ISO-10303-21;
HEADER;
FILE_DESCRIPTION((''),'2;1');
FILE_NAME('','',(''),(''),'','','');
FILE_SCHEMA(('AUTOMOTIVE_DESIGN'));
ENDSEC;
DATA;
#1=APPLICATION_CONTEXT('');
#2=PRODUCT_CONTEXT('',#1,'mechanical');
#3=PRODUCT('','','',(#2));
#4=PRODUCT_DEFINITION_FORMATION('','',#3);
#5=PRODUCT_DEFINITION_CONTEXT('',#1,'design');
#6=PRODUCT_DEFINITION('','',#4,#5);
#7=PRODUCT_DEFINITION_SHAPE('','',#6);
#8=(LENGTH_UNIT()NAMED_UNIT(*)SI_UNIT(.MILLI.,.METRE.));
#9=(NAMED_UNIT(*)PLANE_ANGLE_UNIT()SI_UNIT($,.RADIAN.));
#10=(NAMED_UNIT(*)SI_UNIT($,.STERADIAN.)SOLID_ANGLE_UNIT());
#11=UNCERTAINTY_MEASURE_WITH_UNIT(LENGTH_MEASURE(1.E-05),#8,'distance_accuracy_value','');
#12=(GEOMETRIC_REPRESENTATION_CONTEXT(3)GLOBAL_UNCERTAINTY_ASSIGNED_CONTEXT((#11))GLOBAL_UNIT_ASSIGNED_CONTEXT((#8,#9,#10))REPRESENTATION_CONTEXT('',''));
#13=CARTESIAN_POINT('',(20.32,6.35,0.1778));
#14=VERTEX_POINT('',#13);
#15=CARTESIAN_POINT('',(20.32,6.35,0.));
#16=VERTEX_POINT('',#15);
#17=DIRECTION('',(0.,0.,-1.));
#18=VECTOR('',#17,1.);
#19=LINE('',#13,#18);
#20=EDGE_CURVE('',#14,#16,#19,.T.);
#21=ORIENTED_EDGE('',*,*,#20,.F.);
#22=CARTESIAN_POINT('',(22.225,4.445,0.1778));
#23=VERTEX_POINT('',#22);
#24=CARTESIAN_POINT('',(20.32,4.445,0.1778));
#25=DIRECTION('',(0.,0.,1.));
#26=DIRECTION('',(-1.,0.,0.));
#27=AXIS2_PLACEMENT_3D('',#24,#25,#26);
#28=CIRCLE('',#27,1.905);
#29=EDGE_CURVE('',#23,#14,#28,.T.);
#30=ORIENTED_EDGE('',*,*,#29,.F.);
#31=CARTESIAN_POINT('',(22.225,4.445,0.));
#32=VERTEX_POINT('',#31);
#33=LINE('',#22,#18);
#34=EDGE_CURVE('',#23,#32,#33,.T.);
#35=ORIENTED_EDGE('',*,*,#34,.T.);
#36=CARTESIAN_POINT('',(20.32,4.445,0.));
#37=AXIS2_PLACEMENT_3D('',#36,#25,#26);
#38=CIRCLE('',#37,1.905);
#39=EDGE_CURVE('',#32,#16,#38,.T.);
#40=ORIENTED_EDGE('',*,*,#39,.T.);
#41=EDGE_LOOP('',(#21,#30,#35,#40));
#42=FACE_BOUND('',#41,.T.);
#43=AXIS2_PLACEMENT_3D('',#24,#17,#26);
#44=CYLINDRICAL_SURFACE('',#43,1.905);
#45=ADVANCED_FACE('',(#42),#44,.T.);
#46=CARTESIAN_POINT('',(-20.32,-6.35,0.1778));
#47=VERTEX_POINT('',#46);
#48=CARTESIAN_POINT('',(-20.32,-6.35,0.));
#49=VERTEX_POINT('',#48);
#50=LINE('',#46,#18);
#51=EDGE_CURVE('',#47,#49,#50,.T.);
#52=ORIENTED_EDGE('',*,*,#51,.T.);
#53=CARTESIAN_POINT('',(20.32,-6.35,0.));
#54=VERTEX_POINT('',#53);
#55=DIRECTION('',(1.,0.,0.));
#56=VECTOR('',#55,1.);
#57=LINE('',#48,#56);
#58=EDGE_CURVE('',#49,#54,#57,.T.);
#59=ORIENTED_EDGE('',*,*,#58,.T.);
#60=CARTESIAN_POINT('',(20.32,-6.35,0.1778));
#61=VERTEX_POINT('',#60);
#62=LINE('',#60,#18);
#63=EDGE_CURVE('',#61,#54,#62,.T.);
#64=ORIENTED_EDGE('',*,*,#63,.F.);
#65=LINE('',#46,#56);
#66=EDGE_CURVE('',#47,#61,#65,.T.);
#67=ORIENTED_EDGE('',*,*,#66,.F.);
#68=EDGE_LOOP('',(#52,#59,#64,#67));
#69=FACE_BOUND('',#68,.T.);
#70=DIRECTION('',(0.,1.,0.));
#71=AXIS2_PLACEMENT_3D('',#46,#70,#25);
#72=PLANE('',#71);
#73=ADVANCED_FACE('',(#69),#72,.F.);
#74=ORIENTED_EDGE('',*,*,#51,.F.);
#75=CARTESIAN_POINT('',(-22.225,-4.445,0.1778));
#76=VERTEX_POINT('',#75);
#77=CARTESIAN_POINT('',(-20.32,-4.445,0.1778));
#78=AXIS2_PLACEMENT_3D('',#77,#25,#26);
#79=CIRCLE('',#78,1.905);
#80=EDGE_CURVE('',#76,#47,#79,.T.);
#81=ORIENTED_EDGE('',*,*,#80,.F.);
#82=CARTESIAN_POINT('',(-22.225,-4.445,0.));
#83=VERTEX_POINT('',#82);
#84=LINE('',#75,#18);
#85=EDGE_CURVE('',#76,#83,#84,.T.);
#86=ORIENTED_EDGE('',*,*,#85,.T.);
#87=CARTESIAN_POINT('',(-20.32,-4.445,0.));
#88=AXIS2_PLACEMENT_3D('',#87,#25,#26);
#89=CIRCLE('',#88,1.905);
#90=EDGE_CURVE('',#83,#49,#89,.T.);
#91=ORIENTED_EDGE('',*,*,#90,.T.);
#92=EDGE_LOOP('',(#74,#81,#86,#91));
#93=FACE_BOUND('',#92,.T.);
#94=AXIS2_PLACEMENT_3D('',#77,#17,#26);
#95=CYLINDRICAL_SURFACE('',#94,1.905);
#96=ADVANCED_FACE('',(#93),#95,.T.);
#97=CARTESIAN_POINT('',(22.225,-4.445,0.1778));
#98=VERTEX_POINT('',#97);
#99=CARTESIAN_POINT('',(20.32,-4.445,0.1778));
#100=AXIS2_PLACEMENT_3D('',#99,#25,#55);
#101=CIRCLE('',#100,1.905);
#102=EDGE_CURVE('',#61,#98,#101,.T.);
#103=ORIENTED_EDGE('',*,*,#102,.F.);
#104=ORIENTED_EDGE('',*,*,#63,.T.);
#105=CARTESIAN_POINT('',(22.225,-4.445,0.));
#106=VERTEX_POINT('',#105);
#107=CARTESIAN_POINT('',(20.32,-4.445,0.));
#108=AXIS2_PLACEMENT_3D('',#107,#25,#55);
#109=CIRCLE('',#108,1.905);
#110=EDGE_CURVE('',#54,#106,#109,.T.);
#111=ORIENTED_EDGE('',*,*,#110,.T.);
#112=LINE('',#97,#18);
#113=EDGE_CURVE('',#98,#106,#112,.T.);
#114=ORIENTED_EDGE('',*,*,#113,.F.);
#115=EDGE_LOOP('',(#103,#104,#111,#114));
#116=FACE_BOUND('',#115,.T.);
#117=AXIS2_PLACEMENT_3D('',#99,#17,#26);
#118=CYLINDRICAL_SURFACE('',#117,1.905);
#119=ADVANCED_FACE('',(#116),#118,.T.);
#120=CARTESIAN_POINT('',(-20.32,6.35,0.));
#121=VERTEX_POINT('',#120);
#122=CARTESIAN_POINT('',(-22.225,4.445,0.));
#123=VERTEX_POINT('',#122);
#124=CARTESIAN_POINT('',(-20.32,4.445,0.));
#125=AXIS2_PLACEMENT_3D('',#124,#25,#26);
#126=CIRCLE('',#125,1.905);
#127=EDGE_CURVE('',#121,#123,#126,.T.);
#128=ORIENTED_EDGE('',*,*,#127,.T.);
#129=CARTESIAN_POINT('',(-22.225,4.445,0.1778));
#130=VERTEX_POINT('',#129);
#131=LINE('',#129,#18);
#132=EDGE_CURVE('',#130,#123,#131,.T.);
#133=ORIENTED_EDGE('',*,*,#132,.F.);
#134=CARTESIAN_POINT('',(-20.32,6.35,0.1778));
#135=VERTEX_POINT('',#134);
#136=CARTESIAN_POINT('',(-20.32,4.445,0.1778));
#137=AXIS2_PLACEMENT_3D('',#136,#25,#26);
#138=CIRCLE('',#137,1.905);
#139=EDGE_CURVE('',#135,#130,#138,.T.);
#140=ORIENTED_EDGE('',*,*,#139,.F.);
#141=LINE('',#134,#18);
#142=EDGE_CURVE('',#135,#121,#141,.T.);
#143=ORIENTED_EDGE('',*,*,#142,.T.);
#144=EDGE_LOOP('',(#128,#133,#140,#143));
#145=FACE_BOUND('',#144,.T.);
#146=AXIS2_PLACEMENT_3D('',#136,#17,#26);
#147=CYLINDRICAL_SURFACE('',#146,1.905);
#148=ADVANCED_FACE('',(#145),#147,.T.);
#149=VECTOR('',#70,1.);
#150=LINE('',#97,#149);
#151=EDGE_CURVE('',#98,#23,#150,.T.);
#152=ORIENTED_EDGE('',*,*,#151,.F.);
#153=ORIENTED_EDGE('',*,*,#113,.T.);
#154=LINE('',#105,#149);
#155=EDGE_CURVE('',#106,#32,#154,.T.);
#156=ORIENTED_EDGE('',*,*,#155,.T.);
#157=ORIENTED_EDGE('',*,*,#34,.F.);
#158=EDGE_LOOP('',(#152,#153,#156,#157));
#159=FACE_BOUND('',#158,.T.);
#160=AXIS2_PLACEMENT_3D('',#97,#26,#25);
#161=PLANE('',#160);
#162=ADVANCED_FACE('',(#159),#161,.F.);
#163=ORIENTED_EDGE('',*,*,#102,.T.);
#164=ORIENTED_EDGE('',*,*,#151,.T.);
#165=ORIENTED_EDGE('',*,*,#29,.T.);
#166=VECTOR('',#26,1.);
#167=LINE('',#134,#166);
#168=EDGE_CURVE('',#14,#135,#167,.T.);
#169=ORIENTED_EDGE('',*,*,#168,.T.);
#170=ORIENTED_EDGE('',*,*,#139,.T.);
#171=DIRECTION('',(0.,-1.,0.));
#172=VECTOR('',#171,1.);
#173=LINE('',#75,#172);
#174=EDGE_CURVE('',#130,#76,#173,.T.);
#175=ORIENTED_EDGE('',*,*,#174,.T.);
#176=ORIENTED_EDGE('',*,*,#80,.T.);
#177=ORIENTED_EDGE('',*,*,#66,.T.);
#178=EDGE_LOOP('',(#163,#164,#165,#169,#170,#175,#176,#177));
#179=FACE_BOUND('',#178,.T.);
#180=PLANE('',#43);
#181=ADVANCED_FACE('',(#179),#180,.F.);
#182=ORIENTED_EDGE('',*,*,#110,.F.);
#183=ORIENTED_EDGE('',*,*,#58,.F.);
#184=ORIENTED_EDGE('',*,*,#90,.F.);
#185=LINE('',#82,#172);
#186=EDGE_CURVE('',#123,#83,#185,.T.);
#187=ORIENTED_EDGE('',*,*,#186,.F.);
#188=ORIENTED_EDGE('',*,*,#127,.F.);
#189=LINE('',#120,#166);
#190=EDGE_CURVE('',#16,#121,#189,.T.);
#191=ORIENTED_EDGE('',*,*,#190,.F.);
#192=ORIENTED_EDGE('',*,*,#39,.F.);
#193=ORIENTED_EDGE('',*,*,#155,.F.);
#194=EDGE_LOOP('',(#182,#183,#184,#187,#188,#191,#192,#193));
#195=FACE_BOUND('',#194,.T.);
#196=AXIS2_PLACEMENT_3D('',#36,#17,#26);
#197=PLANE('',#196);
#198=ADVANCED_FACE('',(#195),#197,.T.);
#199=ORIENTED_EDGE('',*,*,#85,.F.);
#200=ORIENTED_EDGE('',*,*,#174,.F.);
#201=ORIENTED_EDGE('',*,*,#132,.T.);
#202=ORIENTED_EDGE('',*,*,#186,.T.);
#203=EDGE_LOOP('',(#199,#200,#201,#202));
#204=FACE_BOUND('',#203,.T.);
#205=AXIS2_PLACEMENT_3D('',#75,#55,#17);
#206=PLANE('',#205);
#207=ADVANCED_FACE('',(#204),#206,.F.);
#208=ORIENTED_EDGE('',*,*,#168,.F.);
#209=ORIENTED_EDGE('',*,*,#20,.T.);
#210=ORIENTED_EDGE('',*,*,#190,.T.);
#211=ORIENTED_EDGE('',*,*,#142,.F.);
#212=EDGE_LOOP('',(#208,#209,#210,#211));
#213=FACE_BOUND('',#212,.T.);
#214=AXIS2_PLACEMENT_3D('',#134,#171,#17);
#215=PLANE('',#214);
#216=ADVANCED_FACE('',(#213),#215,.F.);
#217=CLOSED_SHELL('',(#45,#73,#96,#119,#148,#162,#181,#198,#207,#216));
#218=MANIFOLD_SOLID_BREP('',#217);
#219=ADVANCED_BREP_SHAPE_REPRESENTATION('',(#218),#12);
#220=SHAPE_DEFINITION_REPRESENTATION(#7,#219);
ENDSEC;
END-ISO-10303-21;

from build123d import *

# Parameters (mm, degrees)
BOSS_EXTRUDE1_DEPTH = 0.1778


with BuildPart() as part:
    # Sketch1 → Boss-Extrude1 (new body)
    with BuildSketch(Plane.XY):
        with BuildLine():
            Line((-20.32, -6.35), (20.32, -6.35))
            ThreePointArc((20.32, -6.35), (21.667038418, -5.792038418), (22.225, -4.445))
            Line((22.225, -4.445), (22.225, 4.445))
            ThreePointArc((22.225, 4.445), (21.667038418, 5.792038418), (20.32, 6.35))
            Line((20.32, 6.35), (-20.32, 6.35))
            ThreePointArc((-20.32, 6.35), (-21.667038418, 5.792038418), (-22.225, 4.445))
            Line((-22.225, 4.445), (-22.225, -4.445))
            ThreePointArc((-22.225, -4.445), (-21.667038418, -5.792038418), (-20.32, -6.35))
        make_face()
    extrude(amount=BOSS_EXTRUDE1_DEPTH)


solid = part.part
